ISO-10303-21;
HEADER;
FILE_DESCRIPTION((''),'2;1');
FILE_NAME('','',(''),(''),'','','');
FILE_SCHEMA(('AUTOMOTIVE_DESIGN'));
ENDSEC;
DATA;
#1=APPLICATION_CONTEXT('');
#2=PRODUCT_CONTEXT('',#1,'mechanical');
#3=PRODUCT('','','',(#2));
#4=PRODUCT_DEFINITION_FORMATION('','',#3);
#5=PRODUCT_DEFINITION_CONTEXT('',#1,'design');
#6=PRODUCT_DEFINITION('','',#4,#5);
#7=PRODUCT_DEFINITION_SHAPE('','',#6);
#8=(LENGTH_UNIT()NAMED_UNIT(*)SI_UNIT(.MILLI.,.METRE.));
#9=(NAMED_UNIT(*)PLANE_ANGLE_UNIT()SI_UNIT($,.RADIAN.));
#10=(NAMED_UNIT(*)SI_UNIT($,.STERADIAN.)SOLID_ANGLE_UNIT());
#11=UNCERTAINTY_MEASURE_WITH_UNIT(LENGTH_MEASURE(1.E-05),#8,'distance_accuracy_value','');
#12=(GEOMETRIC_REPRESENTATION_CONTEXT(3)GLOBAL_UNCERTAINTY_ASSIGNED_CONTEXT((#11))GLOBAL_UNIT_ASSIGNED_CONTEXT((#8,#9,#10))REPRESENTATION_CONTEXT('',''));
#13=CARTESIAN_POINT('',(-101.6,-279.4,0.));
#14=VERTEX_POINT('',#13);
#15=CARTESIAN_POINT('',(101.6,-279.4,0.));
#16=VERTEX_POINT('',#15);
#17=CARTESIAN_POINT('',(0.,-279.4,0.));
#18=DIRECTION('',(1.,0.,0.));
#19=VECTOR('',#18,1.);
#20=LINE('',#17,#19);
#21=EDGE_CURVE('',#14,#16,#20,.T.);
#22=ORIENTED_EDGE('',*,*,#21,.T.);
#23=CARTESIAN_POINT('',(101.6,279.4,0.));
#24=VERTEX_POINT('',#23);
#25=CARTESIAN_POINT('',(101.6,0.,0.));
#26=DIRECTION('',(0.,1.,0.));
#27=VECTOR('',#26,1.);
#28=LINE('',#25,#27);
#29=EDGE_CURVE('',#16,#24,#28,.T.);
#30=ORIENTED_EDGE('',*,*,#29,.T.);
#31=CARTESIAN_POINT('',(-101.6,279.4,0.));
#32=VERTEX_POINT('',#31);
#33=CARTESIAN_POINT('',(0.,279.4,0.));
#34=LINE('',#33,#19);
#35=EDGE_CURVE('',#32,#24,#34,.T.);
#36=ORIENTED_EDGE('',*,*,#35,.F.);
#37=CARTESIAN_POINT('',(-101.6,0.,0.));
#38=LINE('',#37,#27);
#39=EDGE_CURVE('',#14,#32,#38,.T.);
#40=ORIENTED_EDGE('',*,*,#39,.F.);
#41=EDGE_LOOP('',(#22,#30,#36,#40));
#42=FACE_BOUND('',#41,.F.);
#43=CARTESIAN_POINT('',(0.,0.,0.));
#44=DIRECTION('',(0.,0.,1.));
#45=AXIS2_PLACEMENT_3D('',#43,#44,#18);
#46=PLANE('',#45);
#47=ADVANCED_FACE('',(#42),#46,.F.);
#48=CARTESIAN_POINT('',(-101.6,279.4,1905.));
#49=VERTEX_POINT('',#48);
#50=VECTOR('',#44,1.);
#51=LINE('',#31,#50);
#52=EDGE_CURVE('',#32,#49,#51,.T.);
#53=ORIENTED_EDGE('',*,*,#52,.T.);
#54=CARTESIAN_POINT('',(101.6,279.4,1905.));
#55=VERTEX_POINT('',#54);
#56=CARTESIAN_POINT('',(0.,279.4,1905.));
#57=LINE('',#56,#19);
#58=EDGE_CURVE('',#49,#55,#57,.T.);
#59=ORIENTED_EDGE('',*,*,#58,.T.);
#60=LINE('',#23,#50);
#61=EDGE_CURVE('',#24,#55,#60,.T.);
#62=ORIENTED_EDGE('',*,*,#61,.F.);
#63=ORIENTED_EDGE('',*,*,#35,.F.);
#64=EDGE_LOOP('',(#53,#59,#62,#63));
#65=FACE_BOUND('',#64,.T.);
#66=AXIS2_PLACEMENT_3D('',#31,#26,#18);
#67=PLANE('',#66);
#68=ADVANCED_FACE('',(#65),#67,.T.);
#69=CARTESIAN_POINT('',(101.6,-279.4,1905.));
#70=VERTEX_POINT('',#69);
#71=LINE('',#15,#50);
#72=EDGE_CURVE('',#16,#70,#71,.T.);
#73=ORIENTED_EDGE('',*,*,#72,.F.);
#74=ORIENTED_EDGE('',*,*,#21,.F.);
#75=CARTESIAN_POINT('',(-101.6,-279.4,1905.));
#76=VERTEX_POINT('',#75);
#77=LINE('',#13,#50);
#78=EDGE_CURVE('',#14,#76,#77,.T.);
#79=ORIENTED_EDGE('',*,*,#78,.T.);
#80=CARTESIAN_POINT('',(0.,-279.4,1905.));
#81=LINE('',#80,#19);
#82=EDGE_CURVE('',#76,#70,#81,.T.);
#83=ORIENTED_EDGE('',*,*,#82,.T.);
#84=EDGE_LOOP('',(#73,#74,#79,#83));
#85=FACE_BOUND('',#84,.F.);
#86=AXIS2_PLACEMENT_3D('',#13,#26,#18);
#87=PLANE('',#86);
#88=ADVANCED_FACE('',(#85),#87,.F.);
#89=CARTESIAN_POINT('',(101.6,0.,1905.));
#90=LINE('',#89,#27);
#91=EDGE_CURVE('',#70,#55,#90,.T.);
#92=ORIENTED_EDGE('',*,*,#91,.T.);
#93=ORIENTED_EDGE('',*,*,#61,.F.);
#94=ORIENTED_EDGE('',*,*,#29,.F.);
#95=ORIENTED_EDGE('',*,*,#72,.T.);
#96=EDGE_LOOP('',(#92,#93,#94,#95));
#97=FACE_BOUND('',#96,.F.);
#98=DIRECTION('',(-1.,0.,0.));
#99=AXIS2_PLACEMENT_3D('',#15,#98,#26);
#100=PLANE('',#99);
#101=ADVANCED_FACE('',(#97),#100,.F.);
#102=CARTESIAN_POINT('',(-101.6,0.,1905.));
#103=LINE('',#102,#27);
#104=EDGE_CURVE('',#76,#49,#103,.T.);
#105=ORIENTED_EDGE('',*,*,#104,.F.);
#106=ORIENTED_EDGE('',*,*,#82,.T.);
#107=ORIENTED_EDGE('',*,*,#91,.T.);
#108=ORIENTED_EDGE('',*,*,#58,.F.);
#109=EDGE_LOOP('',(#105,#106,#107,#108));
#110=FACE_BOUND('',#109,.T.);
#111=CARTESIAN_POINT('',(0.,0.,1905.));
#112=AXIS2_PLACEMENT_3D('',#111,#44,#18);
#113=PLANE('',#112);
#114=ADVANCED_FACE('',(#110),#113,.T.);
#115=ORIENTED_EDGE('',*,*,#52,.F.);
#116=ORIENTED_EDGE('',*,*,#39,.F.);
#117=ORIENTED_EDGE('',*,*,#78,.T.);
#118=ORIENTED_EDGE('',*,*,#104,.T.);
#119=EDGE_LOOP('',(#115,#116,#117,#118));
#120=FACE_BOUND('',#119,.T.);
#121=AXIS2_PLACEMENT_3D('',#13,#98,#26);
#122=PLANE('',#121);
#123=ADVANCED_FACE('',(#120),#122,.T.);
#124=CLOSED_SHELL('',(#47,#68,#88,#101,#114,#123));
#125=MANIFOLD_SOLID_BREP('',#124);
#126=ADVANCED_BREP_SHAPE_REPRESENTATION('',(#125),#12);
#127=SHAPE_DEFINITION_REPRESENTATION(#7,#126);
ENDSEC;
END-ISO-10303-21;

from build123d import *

# Parameters (mm, degrees)
F0_W     = 203.2
F0_H     = 558.8
F1_DEPTH = 1905
F2_W     = 14.003879
F2_H     = 537.845016
F3_DEPTH = 1905


with BuildPart() as f1:
    # F0 (on Top) → F1 (new body)
    with BuildSketch(Plane.XY):
        Rectangle(F0_W, F0_H)
    extrude(amount=F1_DEPTH)


with BuildPart() as f3:
    # F2 (on face) → F3 (new body)
    with BuildSketch(Plane.XY.offset(1905)):
        with Locations((108.601939, 0)):
            Rectangle(F2_W, F2_H)
    extrude(amount=F3_DEPTH)


solid = f1.part
